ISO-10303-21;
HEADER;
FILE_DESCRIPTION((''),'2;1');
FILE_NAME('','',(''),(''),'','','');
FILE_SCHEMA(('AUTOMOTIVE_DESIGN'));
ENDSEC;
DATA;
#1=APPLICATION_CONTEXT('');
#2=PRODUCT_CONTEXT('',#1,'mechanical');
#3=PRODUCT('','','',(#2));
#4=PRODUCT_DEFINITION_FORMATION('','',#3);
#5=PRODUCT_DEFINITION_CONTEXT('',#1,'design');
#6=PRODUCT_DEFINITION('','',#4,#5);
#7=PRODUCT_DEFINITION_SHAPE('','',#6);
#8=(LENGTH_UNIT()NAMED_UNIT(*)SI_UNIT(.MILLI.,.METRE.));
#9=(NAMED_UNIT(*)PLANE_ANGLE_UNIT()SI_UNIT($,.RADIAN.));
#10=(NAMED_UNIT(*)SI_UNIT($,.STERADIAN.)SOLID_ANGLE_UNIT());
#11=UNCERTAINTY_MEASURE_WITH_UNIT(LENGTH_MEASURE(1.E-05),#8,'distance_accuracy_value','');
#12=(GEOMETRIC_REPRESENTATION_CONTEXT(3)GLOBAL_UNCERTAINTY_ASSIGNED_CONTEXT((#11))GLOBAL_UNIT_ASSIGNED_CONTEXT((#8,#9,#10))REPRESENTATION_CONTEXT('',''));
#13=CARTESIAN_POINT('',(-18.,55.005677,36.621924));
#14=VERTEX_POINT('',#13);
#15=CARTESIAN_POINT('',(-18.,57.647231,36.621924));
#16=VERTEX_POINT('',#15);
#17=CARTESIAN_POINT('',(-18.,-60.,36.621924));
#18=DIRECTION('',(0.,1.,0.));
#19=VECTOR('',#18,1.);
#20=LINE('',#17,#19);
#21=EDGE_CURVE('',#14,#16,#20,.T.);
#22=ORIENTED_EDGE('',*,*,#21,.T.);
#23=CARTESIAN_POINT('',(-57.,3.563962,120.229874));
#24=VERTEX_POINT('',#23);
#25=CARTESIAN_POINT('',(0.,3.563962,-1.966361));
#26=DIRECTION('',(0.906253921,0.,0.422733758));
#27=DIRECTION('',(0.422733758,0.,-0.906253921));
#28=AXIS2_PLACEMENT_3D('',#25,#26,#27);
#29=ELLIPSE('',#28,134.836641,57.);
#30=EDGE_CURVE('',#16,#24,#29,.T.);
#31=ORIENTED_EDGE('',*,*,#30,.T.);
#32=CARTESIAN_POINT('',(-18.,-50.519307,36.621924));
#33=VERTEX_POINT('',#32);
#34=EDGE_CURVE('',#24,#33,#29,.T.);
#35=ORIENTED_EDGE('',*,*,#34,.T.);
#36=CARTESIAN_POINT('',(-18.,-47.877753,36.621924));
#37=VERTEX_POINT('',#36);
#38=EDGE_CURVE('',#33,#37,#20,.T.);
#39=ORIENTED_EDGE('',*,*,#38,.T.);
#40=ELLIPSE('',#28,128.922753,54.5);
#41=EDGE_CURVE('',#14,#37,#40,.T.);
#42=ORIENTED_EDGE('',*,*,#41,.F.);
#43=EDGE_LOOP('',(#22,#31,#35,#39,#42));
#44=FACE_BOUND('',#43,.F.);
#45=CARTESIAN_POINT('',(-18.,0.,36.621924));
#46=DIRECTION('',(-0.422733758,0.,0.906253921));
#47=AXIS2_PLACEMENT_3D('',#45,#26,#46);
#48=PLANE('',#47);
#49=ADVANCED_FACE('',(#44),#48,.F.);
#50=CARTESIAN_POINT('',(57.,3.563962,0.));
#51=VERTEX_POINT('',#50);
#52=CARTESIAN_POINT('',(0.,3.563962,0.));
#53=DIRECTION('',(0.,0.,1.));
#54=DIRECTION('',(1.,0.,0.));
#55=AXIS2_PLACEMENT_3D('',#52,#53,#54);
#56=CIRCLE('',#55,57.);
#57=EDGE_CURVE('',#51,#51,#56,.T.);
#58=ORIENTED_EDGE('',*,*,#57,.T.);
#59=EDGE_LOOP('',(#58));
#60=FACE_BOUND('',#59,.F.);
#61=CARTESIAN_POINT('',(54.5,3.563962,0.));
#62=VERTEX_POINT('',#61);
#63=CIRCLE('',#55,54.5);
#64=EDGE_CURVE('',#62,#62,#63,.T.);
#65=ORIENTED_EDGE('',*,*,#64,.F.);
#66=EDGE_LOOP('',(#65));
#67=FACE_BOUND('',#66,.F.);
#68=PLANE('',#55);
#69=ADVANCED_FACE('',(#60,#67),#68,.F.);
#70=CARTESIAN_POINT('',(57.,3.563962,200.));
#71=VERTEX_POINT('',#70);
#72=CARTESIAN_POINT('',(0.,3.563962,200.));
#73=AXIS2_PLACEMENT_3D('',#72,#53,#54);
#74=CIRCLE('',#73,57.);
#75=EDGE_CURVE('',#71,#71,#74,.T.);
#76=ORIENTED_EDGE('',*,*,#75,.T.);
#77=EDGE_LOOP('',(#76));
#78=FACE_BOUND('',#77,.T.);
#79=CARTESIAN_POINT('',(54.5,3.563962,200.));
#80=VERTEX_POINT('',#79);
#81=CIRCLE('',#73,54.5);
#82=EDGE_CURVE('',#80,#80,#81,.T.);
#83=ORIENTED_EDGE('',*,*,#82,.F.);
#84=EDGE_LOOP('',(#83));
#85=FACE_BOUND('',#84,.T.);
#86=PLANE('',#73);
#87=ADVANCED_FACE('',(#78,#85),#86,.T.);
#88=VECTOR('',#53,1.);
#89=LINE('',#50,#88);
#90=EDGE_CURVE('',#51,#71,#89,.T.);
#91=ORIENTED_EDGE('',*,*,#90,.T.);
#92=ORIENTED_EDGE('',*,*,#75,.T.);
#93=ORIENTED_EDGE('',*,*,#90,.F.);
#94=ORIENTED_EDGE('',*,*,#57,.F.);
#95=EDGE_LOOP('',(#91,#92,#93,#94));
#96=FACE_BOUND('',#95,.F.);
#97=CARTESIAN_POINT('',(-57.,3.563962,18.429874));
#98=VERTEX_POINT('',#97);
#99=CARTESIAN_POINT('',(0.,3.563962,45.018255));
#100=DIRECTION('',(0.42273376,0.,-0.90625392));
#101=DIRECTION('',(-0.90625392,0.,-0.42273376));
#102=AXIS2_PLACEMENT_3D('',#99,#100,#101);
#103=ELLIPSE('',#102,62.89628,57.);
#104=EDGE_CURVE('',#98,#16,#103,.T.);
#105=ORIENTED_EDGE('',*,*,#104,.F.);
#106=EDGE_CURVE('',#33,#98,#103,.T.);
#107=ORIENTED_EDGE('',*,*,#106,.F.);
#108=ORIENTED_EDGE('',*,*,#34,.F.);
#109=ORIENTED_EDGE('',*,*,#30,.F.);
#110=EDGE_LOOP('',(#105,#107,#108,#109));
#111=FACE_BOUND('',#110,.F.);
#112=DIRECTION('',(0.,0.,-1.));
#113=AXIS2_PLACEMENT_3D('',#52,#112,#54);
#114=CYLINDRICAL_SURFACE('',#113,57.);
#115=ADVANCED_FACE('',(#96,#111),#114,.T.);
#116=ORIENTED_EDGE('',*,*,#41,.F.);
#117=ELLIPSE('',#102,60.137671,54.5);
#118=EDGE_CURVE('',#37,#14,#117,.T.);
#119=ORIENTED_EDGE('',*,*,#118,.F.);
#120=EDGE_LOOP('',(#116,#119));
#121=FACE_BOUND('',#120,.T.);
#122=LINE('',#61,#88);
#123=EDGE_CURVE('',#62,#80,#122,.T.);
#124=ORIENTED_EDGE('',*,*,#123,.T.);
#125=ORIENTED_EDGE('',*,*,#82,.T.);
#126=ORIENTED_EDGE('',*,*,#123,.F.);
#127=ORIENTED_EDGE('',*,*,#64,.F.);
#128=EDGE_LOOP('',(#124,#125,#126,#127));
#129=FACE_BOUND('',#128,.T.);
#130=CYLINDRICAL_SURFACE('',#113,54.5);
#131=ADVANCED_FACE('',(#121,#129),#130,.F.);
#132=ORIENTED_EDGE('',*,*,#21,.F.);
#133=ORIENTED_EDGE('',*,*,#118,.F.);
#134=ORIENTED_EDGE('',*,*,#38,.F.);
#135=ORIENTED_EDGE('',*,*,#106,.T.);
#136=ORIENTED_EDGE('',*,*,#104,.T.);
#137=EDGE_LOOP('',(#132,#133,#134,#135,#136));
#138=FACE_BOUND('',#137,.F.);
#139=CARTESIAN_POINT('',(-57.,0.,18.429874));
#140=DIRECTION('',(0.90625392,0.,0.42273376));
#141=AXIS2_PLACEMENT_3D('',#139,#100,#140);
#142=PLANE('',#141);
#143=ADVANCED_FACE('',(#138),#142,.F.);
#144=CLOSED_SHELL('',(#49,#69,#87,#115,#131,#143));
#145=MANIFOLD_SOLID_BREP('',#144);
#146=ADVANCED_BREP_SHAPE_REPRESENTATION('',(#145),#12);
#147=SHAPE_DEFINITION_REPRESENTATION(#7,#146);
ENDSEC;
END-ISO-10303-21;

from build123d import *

# Parameters (mm, degrees)
F0_R     = 57
F1_DEPTH = 200
F2_T     = -2.5
F4_DEPTH = 60


with BuildPart() as f1:
    # F0 (on Top) → F1 (new body)
    with BuildSketch(Plane.XY):
        with Locations((0, 3.563962)):
            Circle(F0_R)
    extrude(amount=F1_DEPTH)

    # F2
    f2_openings = [f1.faces().sort_by_distance(p)[0] for p in [
        (0, 3.563962, 0),
        (0, 3.563962, 200),
    ]]
    offset(amount=F2_T, openings=f2_openings)

    # F3 (on Front) → F4 (cut, symmetric)
    with BuildSketch(Plane.XZ):
        Polygon((-57, 120.229874), (-57, 18.429874), (-18, 36.621924), align=None)
    extrude(amount=F4_DEPTH, both=True, mode=Mode.SUBTRACT)


solid = f1.part
